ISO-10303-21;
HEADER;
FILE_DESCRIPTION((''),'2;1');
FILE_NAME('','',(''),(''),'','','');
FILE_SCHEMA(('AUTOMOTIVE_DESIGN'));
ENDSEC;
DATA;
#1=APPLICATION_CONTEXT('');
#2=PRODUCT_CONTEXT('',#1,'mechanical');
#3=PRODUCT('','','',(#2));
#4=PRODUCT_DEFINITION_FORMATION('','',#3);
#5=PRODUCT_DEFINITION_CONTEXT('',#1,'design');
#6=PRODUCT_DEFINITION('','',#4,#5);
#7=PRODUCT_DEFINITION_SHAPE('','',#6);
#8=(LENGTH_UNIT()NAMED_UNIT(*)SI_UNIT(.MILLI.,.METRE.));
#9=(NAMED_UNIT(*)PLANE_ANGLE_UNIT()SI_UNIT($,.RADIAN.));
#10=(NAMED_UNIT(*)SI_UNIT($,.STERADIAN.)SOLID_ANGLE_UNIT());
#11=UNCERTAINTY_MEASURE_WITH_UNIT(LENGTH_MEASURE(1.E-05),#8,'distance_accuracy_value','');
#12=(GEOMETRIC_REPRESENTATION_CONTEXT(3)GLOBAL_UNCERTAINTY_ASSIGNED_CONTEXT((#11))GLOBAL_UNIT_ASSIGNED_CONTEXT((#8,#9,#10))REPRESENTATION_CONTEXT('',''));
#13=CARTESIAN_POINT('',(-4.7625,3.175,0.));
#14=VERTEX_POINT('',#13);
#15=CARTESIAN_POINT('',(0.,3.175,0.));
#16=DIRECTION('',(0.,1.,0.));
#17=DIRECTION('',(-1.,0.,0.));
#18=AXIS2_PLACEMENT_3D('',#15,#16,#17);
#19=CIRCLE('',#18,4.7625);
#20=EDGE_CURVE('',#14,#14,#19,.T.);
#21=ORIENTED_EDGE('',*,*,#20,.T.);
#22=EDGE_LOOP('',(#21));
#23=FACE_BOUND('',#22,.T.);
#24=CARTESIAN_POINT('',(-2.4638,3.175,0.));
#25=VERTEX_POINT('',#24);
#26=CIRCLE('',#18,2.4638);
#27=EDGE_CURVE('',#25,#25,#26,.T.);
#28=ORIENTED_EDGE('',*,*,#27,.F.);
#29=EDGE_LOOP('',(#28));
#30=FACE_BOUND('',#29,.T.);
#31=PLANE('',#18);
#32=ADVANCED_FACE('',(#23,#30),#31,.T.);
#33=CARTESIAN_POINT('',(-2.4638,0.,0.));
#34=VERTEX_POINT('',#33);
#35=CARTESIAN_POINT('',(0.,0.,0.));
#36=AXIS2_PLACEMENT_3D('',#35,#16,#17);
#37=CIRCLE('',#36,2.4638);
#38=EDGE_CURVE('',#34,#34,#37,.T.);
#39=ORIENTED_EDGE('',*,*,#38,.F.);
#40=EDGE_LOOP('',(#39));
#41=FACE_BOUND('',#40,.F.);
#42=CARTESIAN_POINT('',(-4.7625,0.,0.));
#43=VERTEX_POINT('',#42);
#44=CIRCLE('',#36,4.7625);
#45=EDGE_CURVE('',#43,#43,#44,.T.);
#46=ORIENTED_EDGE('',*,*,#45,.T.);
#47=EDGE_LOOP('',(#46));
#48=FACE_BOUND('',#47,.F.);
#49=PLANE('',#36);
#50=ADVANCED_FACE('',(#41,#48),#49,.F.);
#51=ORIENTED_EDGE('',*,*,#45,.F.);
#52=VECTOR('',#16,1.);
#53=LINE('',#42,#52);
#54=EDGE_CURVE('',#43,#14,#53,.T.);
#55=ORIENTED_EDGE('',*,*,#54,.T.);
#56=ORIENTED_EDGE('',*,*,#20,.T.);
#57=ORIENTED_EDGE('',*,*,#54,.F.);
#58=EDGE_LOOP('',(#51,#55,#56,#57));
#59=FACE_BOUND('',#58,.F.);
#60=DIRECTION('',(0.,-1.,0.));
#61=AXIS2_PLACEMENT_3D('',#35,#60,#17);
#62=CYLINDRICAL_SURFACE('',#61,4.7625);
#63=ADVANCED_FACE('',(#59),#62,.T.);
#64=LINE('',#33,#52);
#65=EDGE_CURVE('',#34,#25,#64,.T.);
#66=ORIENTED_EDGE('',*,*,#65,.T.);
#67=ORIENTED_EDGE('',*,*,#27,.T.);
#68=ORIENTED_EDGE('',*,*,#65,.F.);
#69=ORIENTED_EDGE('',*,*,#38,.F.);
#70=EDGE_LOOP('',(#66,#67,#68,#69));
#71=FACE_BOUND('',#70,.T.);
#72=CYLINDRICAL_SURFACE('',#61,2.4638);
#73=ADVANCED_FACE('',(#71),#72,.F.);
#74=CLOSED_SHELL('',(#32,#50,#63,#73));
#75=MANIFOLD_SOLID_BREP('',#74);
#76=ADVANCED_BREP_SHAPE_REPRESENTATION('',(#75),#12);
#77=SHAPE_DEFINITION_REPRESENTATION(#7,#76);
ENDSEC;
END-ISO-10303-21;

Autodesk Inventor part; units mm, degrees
ref_plane "YZ Plane" through (0, 0, 0) normal (1, 0, 0) x (0, 1, 0)
ref_plane "XZ Plane" through (0, 0, 0) normal (0, 1, 0) x (-1, 0, 0)
ref_plane "XY Plane" through (0, 0, 0) normal (0, 0, 1) x (1, 0, 0)
sketch "Sketch1" plane through (0, 0, 0) normal (0, 1, 0) x (-1, 0, 0)
  circle A0 centre (0, 0) radius 2.4638
  circle A1 centre (0, 0) radius 4.7625
  dimension "d0" = 4.9276
  dimension "d1" = 9.525
extrude "Extrusion1" add sketch "Sketch1" along normal blind 3.175
properties part number "Nylon Spacer .313 OD-.125" material "VEX Nylon"
